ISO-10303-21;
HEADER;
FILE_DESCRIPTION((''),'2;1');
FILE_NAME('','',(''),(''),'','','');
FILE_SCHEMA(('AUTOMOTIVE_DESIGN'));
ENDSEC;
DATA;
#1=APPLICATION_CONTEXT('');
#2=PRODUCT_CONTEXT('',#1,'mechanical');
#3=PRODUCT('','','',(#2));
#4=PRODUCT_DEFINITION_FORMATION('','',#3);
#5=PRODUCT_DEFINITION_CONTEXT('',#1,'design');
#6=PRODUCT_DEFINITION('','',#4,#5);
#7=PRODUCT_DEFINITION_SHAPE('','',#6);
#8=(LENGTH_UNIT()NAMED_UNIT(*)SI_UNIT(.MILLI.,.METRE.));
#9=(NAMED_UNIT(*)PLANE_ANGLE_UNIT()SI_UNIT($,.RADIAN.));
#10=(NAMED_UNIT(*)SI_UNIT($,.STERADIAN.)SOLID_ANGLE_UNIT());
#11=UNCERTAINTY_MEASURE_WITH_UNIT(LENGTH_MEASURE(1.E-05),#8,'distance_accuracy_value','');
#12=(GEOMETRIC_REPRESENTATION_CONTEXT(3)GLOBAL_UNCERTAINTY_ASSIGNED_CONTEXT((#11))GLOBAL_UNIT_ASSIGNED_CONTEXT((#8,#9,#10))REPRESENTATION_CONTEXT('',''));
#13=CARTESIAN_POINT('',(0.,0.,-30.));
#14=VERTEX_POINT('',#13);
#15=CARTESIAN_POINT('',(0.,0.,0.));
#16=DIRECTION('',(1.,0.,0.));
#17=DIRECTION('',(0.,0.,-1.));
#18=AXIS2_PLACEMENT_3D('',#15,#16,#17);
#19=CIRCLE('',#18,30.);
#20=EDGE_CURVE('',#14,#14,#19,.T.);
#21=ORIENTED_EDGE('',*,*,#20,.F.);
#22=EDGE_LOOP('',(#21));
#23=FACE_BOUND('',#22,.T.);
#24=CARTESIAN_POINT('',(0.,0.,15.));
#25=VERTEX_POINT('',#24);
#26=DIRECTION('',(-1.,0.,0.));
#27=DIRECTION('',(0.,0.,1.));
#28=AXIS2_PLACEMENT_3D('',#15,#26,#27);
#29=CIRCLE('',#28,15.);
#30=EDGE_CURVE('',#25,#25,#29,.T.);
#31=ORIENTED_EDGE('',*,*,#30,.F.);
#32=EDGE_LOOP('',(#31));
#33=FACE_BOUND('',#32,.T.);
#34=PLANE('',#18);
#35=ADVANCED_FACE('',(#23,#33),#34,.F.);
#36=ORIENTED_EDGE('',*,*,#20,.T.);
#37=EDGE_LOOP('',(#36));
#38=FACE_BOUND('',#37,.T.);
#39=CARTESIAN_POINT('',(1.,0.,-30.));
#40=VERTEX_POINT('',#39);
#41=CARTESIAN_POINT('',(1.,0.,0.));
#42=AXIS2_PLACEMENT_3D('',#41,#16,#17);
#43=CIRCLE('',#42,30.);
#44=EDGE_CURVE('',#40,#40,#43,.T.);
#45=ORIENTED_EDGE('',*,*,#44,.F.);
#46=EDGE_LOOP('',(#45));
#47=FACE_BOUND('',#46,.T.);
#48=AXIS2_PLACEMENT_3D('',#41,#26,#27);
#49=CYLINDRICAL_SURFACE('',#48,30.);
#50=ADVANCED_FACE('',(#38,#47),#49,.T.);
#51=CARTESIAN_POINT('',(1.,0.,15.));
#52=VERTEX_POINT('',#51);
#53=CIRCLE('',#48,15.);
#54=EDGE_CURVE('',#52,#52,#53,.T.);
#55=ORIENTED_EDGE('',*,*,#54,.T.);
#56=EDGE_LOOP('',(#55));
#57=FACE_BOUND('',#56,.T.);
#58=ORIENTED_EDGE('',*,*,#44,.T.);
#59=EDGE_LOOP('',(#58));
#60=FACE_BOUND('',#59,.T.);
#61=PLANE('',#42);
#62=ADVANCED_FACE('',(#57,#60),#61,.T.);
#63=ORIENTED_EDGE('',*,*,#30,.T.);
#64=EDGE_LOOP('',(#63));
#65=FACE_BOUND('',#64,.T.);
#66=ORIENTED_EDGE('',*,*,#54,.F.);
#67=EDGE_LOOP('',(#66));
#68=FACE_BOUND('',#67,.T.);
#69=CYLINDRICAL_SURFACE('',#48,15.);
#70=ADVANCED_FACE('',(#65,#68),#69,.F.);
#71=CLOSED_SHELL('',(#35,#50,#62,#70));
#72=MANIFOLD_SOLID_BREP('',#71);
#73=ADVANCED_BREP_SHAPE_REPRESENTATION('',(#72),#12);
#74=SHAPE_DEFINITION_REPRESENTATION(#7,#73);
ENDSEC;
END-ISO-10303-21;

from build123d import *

# Parameters (mm, degrees)
SKETCH_1_R          = 30
EXTRUDE_1_DEPTH     = 1
SKETCH_2_R          = 15
CUT_EXTRUDE_1_DEPTH = 1


with BuildPart() as part:
    # 草图1 → 凸台-拉伸1 (new body)
    with BuildSketch(Plane(origin=(0, 0, 0), x_dir=(0, 0, -1), z_dir=(1, 0, 0))):
        Circle(SKETCH_1_R)
    extrude(amount=EXTRUDE_1_DEPTH)

    # 草图2 → 切除-拉伸1 (cut)
    with BuildSketch(Plane.ZY):
        Circle(SKETCH_2_R)
    extrude(amount=-CUT_EXTRUDE_1_DEPTH, mode=Mode.SUBTRACT)


solid = part.part
